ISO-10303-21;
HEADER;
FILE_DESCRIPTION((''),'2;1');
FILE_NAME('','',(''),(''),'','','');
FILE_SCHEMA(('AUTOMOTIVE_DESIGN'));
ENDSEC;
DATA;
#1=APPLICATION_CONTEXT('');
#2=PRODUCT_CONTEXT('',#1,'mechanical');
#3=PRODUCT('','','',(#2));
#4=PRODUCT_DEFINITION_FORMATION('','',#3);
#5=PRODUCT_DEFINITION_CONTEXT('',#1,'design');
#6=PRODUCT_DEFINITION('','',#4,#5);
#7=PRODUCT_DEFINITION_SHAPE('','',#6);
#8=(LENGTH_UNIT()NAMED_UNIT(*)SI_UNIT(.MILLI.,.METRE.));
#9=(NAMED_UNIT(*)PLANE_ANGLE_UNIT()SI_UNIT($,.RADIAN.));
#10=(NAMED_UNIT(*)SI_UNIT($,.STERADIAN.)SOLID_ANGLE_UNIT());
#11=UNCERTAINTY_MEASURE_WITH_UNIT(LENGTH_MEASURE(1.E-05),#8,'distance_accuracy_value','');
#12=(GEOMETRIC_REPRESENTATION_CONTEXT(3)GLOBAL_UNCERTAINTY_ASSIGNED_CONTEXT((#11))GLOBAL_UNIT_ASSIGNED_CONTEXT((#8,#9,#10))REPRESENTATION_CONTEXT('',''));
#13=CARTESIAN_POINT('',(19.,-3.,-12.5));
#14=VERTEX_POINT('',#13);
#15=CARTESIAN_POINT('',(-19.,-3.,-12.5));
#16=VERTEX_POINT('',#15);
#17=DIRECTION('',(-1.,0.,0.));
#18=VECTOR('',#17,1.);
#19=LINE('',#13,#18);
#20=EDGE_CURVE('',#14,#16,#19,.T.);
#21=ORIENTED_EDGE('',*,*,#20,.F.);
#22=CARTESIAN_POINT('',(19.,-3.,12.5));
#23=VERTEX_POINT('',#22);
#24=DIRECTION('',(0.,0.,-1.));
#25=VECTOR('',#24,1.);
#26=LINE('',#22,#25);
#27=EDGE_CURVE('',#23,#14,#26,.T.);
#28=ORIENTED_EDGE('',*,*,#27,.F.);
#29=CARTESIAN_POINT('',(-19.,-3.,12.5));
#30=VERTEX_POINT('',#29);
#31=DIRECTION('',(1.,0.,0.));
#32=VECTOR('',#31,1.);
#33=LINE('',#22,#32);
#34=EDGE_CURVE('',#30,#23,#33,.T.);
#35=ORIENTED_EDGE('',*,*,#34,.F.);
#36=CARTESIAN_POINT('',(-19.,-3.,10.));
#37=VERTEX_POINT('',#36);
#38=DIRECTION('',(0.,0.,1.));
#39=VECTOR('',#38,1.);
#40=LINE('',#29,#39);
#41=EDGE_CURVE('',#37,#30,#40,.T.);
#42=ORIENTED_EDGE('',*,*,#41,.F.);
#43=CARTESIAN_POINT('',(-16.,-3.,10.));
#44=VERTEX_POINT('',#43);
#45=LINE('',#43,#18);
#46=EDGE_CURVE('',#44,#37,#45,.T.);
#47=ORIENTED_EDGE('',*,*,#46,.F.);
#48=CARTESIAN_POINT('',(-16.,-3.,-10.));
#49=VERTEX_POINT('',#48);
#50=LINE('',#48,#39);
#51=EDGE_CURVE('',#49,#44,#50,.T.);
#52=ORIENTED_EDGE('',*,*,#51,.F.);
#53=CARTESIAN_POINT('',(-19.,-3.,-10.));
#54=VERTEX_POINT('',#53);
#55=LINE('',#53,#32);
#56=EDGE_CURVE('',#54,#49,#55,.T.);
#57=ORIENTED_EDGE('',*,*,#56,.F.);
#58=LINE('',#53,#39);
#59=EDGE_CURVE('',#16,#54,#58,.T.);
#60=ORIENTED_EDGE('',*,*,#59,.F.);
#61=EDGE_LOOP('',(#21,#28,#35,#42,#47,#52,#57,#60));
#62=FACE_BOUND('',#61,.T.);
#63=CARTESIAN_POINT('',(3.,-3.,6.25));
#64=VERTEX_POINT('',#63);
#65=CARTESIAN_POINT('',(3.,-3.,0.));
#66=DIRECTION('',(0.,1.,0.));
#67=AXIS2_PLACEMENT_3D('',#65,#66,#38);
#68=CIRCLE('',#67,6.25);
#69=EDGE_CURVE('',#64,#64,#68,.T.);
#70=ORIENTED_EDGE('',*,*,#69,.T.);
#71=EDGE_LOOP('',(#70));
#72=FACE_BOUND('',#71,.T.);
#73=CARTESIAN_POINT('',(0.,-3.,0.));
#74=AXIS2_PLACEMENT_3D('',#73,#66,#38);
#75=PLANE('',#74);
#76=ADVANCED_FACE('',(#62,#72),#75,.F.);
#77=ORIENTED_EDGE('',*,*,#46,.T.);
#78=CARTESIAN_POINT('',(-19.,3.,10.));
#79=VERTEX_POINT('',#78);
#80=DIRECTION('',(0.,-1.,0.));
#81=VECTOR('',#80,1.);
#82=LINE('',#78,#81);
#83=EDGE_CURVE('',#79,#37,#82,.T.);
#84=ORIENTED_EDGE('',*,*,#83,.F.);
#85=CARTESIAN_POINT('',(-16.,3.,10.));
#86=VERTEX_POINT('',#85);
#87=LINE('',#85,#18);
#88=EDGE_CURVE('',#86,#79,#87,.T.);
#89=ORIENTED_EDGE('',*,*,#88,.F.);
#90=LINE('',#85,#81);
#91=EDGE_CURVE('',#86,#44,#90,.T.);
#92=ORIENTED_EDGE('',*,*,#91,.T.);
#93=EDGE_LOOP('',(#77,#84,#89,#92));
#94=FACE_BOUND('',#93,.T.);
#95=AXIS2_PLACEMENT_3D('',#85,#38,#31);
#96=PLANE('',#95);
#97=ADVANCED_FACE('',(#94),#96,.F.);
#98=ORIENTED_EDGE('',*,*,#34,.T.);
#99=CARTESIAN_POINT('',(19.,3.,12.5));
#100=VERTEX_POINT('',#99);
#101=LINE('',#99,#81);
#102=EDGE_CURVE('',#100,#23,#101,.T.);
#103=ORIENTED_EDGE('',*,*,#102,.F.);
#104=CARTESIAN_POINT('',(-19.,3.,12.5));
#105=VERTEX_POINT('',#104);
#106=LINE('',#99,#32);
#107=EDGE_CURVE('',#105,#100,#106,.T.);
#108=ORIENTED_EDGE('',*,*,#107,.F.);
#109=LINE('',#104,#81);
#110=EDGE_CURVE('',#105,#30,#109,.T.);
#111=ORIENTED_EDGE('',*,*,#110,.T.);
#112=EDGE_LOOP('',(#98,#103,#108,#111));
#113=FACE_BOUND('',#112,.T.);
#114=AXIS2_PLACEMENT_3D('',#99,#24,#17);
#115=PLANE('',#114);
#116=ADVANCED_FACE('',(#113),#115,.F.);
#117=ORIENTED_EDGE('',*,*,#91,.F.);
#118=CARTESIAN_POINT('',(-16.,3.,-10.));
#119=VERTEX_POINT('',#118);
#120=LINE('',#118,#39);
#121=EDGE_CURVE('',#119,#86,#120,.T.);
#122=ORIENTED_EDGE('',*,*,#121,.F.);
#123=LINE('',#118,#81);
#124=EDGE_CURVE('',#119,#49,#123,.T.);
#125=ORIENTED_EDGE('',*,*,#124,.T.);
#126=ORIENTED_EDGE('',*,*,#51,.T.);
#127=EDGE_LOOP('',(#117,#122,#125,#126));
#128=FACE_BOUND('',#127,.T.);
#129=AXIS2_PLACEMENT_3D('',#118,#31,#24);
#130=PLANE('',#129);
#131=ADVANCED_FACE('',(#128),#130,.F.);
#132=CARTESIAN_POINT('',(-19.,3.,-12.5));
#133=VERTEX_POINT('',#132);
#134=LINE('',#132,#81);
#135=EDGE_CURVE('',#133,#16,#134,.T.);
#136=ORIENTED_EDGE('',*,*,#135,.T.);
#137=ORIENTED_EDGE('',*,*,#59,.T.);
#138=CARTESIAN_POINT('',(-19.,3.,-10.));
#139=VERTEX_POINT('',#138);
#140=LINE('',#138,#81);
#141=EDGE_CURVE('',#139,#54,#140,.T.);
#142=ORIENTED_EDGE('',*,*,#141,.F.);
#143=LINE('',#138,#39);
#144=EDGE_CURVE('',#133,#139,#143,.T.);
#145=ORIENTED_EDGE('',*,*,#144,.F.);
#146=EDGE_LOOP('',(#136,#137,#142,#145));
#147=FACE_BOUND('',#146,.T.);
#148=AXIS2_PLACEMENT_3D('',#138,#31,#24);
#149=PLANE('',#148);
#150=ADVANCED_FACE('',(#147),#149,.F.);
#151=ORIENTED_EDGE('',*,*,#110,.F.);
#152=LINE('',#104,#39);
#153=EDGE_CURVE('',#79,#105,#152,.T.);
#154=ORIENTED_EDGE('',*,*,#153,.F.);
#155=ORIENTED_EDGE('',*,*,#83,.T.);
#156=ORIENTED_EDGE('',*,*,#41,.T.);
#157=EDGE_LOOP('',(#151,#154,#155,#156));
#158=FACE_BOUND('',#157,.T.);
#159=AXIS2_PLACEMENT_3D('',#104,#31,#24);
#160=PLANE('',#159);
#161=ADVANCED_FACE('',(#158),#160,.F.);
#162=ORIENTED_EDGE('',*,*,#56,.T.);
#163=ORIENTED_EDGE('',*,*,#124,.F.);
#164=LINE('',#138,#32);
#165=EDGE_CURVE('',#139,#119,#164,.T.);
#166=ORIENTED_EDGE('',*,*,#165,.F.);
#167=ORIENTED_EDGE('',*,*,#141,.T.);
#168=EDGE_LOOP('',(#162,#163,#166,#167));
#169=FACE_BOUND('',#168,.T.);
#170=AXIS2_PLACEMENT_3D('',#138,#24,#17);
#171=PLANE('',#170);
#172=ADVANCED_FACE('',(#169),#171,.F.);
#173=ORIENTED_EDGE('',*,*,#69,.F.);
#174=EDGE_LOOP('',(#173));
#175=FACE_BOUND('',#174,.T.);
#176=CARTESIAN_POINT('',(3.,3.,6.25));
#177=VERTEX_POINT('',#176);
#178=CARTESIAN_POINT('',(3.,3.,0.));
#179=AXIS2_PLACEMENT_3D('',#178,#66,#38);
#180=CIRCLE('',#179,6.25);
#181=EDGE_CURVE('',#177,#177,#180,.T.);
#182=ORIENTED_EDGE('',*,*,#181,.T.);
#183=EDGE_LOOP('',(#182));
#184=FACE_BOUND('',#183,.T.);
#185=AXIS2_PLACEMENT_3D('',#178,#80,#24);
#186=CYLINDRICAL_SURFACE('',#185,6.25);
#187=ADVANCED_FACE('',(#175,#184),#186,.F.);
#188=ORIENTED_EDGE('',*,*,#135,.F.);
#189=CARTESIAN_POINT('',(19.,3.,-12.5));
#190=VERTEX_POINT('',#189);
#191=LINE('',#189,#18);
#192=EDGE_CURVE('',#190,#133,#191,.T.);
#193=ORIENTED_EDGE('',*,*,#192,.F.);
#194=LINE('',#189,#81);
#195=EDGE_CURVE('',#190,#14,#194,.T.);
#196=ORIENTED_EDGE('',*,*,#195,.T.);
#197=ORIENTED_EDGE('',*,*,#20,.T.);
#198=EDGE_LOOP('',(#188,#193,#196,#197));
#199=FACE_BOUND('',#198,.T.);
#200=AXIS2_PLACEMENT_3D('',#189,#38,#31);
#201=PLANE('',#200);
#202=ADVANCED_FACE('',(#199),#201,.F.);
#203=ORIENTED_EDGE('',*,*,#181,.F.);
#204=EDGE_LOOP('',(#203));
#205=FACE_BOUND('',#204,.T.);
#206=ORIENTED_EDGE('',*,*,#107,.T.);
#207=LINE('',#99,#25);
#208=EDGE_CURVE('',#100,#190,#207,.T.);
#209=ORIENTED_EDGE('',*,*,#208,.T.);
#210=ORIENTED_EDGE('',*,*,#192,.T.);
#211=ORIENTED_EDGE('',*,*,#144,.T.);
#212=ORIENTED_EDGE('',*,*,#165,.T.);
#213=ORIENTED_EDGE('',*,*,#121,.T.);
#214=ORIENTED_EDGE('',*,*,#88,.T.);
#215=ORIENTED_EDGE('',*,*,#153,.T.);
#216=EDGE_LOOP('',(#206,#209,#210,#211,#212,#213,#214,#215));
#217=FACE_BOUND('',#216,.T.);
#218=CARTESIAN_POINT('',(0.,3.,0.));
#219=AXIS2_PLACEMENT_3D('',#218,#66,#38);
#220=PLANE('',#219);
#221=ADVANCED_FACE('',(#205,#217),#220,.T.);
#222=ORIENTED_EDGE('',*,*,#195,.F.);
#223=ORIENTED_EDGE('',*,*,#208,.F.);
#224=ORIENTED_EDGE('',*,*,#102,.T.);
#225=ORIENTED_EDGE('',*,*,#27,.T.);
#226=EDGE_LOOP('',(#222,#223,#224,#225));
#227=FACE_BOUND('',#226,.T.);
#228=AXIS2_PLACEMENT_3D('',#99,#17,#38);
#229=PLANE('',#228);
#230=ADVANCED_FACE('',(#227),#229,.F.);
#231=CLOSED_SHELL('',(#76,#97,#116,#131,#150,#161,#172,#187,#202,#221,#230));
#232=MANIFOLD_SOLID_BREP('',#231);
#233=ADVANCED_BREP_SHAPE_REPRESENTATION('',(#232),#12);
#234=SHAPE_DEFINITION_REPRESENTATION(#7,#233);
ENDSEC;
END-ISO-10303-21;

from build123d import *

# Parameters (mm, degrees)
SKETCH1_R           = 6.25
BOSS_EXTRUDE1_DEPTH = 3


with BuildPart() as part:
    # Sketch1 → Boss-Extrude1 (new, symmetric)
    with BuildSketch(Plane(origin=(0, 0, 0), x_dir=(1, 0, 0), z_dir=(0, 1, 0))):
        Polygon((-19, 10), (-16, 10), (-16, -10), (-19, -10), (-19, -12.5), (19, -12.5), (19, 12.5), (-19, 12.5), align=None)
        with Locations(Location((3, 0, 0), (0, 0, 270))):
            Circle(SKETCH1_R, mode=Mode.SUBTRACT)
    extrude(amount=BOSS_EXTRUDE1_DEPTH, both=True)


solid = part.part
